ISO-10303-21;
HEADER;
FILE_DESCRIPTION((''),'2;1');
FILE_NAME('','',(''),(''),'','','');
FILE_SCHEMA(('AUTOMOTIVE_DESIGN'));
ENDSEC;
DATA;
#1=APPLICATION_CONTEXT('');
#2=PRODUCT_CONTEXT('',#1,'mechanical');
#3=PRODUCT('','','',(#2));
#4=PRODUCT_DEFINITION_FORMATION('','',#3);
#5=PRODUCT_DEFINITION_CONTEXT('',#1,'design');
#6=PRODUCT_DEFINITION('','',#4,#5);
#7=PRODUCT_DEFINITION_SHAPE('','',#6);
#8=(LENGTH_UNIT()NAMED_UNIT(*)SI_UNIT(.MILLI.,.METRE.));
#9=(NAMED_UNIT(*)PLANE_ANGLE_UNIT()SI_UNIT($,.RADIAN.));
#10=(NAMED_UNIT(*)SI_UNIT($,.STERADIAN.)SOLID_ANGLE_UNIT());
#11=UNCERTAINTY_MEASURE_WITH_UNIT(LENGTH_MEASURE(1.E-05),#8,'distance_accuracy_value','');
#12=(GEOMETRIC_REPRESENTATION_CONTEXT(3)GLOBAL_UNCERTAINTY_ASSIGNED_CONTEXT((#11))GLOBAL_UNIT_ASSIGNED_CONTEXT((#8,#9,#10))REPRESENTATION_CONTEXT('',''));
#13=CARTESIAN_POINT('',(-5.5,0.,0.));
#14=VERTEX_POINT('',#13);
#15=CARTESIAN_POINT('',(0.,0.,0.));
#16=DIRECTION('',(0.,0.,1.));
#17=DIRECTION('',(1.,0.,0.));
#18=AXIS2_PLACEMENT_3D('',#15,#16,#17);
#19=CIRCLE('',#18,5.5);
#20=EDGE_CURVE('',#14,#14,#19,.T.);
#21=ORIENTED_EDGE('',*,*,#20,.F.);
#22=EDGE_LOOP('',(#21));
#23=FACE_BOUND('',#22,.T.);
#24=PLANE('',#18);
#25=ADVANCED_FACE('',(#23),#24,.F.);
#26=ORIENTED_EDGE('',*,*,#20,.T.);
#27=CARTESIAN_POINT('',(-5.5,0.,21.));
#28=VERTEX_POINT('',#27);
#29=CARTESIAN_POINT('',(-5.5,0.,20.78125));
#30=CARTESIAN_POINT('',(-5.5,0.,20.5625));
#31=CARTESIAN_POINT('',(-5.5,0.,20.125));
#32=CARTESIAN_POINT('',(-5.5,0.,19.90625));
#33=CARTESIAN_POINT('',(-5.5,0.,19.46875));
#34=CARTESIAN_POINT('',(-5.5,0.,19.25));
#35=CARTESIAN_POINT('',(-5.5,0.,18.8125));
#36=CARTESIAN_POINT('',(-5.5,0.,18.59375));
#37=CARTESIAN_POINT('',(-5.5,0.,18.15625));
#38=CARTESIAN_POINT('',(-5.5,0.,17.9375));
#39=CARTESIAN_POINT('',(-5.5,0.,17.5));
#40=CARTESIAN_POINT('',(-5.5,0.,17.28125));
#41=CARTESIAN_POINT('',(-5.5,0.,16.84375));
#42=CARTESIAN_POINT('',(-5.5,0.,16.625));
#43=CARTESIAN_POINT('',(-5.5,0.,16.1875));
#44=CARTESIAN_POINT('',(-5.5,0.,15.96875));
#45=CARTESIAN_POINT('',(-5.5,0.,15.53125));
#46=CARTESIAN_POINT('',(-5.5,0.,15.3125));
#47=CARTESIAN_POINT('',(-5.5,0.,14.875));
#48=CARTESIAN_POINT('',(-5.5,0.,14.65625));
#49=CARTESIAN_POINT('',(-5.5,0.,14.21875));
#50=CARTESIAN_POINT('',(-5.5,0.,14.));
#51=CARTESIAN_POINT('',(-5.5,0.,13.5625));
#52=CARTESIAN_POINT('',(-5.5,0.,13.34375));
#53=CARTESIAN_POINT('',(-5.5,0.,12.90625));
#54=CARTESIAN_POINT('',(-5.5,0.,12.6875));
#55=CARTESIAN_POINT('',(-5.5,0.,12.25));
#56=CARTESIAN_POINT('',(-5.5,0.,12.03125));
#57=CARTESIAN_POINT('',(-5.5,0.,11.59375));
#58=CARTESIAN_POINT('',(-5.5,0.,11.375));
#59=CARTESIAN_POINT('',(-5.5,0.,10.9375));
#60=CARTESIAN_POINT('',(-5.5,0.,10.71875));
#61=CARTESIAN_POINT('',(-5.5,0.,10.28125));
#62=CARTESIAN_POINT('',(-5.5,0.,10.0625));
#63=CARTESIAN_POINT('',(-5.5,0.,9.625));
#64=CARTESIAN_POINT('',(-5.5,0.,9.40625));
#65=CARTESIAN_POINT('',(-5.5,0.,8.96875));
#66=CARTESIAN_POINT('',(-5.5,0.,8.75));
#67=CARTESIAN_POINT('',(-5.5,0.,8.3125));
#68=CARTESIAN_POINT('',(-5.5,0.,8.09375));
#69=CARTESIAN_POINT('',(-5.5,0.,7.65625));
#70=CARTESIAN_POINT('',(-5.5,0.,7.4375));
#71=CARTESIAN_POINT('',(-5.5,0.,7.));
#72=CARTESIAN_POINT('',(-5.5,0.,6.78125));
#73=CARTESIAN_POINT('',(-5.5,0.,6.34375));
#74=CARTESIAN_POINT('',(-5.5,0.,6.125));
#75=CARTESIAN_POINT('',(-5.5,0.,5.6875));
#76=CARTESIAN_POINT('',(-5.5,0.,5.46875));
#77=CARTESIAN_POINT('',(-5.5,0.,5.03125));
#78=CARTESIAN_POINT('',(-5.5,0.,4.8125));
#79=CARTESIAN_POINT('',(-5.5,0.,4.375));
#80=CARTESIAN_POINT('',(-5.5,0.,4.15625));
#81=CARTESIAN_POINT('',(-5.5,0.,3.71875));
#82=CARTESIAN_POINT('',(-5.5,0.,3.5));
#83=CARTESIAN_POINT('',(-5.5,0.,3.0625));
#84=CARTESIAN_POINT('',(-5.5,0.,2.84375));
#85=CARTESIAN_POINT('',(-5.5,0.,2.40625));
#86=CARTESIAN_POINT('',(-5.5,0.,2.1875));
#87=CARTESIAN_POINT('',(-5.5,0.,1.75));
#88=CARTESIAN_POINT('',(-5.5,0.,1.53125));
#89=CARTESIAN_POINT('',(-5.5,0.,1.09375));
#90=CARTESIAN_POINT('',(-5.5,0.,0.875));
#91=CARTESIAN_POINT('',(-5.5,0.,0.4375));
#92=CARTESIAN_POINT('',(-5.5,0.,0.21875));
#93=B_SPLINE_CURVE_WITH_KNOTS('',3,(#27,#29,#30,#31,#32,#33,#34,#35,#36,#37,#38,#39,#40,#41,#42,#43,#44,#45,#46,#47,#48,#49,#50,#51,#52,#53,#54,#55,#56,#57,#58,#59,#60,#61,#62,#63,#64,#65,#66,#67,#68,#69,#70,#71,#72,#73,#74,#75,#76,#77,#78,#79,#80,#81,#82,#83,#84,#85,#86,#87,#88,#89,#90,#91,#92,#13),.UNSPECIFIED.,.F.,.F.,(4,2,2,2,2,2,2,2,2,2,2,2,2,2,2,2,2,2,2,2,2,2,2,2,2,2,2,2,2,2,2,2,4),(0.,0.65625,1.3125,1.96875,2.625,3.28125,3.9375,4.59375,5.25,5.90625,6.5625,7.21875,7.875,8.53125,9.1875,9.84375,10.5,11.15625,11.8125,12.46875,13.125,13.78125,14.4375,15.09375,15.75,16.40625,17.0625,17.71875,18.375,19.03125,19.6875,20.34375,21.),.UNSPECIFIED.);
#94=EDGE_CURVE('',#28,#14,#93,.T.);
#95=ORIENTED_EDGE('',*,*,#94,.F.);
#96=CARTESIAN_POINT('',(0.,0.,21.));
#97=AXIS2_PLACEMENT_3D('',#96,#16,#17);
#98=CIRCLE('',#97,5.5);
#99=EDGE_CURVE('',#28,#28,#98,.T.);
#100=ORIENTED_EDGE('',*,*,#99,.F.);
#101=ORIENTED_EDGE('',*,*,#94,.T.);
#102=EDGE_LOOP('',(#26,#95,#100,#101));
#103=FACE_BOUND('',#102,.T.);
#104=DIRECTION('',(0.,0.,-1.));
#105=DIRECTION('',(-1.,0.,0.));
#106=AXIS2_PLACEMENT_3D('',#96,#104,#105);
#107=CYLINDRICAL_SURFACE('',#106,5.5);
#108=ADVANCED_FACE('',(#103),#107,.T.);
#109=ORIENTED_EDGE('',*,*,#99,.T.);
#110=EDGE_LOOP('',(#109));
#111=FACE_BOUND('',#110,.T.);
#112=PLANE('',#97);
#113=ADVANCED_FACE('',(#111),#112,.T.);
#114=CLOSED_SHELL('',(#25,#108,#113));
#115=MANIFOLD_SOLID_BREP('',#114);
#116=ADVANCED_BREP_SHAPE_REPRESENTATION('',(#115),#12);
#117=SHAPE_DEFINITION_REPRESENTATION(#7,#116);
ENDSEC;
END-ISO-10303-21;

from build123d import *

# Parameters (mm, degrees)
SKETCH1_R      = 5.5
ENVELOPE_DEPTH = 21


with BuildPart() as part:
    # Sketch1 → Envelope (new body)
    with BuildSketch(Plane.XY):
        with Locations(Location((0, 0, 0), (0, 0, 180))):
            Circle(SKETCH1_R)
    extrude(amount=ENVELOPE_DEPTH)


solid = part.part
